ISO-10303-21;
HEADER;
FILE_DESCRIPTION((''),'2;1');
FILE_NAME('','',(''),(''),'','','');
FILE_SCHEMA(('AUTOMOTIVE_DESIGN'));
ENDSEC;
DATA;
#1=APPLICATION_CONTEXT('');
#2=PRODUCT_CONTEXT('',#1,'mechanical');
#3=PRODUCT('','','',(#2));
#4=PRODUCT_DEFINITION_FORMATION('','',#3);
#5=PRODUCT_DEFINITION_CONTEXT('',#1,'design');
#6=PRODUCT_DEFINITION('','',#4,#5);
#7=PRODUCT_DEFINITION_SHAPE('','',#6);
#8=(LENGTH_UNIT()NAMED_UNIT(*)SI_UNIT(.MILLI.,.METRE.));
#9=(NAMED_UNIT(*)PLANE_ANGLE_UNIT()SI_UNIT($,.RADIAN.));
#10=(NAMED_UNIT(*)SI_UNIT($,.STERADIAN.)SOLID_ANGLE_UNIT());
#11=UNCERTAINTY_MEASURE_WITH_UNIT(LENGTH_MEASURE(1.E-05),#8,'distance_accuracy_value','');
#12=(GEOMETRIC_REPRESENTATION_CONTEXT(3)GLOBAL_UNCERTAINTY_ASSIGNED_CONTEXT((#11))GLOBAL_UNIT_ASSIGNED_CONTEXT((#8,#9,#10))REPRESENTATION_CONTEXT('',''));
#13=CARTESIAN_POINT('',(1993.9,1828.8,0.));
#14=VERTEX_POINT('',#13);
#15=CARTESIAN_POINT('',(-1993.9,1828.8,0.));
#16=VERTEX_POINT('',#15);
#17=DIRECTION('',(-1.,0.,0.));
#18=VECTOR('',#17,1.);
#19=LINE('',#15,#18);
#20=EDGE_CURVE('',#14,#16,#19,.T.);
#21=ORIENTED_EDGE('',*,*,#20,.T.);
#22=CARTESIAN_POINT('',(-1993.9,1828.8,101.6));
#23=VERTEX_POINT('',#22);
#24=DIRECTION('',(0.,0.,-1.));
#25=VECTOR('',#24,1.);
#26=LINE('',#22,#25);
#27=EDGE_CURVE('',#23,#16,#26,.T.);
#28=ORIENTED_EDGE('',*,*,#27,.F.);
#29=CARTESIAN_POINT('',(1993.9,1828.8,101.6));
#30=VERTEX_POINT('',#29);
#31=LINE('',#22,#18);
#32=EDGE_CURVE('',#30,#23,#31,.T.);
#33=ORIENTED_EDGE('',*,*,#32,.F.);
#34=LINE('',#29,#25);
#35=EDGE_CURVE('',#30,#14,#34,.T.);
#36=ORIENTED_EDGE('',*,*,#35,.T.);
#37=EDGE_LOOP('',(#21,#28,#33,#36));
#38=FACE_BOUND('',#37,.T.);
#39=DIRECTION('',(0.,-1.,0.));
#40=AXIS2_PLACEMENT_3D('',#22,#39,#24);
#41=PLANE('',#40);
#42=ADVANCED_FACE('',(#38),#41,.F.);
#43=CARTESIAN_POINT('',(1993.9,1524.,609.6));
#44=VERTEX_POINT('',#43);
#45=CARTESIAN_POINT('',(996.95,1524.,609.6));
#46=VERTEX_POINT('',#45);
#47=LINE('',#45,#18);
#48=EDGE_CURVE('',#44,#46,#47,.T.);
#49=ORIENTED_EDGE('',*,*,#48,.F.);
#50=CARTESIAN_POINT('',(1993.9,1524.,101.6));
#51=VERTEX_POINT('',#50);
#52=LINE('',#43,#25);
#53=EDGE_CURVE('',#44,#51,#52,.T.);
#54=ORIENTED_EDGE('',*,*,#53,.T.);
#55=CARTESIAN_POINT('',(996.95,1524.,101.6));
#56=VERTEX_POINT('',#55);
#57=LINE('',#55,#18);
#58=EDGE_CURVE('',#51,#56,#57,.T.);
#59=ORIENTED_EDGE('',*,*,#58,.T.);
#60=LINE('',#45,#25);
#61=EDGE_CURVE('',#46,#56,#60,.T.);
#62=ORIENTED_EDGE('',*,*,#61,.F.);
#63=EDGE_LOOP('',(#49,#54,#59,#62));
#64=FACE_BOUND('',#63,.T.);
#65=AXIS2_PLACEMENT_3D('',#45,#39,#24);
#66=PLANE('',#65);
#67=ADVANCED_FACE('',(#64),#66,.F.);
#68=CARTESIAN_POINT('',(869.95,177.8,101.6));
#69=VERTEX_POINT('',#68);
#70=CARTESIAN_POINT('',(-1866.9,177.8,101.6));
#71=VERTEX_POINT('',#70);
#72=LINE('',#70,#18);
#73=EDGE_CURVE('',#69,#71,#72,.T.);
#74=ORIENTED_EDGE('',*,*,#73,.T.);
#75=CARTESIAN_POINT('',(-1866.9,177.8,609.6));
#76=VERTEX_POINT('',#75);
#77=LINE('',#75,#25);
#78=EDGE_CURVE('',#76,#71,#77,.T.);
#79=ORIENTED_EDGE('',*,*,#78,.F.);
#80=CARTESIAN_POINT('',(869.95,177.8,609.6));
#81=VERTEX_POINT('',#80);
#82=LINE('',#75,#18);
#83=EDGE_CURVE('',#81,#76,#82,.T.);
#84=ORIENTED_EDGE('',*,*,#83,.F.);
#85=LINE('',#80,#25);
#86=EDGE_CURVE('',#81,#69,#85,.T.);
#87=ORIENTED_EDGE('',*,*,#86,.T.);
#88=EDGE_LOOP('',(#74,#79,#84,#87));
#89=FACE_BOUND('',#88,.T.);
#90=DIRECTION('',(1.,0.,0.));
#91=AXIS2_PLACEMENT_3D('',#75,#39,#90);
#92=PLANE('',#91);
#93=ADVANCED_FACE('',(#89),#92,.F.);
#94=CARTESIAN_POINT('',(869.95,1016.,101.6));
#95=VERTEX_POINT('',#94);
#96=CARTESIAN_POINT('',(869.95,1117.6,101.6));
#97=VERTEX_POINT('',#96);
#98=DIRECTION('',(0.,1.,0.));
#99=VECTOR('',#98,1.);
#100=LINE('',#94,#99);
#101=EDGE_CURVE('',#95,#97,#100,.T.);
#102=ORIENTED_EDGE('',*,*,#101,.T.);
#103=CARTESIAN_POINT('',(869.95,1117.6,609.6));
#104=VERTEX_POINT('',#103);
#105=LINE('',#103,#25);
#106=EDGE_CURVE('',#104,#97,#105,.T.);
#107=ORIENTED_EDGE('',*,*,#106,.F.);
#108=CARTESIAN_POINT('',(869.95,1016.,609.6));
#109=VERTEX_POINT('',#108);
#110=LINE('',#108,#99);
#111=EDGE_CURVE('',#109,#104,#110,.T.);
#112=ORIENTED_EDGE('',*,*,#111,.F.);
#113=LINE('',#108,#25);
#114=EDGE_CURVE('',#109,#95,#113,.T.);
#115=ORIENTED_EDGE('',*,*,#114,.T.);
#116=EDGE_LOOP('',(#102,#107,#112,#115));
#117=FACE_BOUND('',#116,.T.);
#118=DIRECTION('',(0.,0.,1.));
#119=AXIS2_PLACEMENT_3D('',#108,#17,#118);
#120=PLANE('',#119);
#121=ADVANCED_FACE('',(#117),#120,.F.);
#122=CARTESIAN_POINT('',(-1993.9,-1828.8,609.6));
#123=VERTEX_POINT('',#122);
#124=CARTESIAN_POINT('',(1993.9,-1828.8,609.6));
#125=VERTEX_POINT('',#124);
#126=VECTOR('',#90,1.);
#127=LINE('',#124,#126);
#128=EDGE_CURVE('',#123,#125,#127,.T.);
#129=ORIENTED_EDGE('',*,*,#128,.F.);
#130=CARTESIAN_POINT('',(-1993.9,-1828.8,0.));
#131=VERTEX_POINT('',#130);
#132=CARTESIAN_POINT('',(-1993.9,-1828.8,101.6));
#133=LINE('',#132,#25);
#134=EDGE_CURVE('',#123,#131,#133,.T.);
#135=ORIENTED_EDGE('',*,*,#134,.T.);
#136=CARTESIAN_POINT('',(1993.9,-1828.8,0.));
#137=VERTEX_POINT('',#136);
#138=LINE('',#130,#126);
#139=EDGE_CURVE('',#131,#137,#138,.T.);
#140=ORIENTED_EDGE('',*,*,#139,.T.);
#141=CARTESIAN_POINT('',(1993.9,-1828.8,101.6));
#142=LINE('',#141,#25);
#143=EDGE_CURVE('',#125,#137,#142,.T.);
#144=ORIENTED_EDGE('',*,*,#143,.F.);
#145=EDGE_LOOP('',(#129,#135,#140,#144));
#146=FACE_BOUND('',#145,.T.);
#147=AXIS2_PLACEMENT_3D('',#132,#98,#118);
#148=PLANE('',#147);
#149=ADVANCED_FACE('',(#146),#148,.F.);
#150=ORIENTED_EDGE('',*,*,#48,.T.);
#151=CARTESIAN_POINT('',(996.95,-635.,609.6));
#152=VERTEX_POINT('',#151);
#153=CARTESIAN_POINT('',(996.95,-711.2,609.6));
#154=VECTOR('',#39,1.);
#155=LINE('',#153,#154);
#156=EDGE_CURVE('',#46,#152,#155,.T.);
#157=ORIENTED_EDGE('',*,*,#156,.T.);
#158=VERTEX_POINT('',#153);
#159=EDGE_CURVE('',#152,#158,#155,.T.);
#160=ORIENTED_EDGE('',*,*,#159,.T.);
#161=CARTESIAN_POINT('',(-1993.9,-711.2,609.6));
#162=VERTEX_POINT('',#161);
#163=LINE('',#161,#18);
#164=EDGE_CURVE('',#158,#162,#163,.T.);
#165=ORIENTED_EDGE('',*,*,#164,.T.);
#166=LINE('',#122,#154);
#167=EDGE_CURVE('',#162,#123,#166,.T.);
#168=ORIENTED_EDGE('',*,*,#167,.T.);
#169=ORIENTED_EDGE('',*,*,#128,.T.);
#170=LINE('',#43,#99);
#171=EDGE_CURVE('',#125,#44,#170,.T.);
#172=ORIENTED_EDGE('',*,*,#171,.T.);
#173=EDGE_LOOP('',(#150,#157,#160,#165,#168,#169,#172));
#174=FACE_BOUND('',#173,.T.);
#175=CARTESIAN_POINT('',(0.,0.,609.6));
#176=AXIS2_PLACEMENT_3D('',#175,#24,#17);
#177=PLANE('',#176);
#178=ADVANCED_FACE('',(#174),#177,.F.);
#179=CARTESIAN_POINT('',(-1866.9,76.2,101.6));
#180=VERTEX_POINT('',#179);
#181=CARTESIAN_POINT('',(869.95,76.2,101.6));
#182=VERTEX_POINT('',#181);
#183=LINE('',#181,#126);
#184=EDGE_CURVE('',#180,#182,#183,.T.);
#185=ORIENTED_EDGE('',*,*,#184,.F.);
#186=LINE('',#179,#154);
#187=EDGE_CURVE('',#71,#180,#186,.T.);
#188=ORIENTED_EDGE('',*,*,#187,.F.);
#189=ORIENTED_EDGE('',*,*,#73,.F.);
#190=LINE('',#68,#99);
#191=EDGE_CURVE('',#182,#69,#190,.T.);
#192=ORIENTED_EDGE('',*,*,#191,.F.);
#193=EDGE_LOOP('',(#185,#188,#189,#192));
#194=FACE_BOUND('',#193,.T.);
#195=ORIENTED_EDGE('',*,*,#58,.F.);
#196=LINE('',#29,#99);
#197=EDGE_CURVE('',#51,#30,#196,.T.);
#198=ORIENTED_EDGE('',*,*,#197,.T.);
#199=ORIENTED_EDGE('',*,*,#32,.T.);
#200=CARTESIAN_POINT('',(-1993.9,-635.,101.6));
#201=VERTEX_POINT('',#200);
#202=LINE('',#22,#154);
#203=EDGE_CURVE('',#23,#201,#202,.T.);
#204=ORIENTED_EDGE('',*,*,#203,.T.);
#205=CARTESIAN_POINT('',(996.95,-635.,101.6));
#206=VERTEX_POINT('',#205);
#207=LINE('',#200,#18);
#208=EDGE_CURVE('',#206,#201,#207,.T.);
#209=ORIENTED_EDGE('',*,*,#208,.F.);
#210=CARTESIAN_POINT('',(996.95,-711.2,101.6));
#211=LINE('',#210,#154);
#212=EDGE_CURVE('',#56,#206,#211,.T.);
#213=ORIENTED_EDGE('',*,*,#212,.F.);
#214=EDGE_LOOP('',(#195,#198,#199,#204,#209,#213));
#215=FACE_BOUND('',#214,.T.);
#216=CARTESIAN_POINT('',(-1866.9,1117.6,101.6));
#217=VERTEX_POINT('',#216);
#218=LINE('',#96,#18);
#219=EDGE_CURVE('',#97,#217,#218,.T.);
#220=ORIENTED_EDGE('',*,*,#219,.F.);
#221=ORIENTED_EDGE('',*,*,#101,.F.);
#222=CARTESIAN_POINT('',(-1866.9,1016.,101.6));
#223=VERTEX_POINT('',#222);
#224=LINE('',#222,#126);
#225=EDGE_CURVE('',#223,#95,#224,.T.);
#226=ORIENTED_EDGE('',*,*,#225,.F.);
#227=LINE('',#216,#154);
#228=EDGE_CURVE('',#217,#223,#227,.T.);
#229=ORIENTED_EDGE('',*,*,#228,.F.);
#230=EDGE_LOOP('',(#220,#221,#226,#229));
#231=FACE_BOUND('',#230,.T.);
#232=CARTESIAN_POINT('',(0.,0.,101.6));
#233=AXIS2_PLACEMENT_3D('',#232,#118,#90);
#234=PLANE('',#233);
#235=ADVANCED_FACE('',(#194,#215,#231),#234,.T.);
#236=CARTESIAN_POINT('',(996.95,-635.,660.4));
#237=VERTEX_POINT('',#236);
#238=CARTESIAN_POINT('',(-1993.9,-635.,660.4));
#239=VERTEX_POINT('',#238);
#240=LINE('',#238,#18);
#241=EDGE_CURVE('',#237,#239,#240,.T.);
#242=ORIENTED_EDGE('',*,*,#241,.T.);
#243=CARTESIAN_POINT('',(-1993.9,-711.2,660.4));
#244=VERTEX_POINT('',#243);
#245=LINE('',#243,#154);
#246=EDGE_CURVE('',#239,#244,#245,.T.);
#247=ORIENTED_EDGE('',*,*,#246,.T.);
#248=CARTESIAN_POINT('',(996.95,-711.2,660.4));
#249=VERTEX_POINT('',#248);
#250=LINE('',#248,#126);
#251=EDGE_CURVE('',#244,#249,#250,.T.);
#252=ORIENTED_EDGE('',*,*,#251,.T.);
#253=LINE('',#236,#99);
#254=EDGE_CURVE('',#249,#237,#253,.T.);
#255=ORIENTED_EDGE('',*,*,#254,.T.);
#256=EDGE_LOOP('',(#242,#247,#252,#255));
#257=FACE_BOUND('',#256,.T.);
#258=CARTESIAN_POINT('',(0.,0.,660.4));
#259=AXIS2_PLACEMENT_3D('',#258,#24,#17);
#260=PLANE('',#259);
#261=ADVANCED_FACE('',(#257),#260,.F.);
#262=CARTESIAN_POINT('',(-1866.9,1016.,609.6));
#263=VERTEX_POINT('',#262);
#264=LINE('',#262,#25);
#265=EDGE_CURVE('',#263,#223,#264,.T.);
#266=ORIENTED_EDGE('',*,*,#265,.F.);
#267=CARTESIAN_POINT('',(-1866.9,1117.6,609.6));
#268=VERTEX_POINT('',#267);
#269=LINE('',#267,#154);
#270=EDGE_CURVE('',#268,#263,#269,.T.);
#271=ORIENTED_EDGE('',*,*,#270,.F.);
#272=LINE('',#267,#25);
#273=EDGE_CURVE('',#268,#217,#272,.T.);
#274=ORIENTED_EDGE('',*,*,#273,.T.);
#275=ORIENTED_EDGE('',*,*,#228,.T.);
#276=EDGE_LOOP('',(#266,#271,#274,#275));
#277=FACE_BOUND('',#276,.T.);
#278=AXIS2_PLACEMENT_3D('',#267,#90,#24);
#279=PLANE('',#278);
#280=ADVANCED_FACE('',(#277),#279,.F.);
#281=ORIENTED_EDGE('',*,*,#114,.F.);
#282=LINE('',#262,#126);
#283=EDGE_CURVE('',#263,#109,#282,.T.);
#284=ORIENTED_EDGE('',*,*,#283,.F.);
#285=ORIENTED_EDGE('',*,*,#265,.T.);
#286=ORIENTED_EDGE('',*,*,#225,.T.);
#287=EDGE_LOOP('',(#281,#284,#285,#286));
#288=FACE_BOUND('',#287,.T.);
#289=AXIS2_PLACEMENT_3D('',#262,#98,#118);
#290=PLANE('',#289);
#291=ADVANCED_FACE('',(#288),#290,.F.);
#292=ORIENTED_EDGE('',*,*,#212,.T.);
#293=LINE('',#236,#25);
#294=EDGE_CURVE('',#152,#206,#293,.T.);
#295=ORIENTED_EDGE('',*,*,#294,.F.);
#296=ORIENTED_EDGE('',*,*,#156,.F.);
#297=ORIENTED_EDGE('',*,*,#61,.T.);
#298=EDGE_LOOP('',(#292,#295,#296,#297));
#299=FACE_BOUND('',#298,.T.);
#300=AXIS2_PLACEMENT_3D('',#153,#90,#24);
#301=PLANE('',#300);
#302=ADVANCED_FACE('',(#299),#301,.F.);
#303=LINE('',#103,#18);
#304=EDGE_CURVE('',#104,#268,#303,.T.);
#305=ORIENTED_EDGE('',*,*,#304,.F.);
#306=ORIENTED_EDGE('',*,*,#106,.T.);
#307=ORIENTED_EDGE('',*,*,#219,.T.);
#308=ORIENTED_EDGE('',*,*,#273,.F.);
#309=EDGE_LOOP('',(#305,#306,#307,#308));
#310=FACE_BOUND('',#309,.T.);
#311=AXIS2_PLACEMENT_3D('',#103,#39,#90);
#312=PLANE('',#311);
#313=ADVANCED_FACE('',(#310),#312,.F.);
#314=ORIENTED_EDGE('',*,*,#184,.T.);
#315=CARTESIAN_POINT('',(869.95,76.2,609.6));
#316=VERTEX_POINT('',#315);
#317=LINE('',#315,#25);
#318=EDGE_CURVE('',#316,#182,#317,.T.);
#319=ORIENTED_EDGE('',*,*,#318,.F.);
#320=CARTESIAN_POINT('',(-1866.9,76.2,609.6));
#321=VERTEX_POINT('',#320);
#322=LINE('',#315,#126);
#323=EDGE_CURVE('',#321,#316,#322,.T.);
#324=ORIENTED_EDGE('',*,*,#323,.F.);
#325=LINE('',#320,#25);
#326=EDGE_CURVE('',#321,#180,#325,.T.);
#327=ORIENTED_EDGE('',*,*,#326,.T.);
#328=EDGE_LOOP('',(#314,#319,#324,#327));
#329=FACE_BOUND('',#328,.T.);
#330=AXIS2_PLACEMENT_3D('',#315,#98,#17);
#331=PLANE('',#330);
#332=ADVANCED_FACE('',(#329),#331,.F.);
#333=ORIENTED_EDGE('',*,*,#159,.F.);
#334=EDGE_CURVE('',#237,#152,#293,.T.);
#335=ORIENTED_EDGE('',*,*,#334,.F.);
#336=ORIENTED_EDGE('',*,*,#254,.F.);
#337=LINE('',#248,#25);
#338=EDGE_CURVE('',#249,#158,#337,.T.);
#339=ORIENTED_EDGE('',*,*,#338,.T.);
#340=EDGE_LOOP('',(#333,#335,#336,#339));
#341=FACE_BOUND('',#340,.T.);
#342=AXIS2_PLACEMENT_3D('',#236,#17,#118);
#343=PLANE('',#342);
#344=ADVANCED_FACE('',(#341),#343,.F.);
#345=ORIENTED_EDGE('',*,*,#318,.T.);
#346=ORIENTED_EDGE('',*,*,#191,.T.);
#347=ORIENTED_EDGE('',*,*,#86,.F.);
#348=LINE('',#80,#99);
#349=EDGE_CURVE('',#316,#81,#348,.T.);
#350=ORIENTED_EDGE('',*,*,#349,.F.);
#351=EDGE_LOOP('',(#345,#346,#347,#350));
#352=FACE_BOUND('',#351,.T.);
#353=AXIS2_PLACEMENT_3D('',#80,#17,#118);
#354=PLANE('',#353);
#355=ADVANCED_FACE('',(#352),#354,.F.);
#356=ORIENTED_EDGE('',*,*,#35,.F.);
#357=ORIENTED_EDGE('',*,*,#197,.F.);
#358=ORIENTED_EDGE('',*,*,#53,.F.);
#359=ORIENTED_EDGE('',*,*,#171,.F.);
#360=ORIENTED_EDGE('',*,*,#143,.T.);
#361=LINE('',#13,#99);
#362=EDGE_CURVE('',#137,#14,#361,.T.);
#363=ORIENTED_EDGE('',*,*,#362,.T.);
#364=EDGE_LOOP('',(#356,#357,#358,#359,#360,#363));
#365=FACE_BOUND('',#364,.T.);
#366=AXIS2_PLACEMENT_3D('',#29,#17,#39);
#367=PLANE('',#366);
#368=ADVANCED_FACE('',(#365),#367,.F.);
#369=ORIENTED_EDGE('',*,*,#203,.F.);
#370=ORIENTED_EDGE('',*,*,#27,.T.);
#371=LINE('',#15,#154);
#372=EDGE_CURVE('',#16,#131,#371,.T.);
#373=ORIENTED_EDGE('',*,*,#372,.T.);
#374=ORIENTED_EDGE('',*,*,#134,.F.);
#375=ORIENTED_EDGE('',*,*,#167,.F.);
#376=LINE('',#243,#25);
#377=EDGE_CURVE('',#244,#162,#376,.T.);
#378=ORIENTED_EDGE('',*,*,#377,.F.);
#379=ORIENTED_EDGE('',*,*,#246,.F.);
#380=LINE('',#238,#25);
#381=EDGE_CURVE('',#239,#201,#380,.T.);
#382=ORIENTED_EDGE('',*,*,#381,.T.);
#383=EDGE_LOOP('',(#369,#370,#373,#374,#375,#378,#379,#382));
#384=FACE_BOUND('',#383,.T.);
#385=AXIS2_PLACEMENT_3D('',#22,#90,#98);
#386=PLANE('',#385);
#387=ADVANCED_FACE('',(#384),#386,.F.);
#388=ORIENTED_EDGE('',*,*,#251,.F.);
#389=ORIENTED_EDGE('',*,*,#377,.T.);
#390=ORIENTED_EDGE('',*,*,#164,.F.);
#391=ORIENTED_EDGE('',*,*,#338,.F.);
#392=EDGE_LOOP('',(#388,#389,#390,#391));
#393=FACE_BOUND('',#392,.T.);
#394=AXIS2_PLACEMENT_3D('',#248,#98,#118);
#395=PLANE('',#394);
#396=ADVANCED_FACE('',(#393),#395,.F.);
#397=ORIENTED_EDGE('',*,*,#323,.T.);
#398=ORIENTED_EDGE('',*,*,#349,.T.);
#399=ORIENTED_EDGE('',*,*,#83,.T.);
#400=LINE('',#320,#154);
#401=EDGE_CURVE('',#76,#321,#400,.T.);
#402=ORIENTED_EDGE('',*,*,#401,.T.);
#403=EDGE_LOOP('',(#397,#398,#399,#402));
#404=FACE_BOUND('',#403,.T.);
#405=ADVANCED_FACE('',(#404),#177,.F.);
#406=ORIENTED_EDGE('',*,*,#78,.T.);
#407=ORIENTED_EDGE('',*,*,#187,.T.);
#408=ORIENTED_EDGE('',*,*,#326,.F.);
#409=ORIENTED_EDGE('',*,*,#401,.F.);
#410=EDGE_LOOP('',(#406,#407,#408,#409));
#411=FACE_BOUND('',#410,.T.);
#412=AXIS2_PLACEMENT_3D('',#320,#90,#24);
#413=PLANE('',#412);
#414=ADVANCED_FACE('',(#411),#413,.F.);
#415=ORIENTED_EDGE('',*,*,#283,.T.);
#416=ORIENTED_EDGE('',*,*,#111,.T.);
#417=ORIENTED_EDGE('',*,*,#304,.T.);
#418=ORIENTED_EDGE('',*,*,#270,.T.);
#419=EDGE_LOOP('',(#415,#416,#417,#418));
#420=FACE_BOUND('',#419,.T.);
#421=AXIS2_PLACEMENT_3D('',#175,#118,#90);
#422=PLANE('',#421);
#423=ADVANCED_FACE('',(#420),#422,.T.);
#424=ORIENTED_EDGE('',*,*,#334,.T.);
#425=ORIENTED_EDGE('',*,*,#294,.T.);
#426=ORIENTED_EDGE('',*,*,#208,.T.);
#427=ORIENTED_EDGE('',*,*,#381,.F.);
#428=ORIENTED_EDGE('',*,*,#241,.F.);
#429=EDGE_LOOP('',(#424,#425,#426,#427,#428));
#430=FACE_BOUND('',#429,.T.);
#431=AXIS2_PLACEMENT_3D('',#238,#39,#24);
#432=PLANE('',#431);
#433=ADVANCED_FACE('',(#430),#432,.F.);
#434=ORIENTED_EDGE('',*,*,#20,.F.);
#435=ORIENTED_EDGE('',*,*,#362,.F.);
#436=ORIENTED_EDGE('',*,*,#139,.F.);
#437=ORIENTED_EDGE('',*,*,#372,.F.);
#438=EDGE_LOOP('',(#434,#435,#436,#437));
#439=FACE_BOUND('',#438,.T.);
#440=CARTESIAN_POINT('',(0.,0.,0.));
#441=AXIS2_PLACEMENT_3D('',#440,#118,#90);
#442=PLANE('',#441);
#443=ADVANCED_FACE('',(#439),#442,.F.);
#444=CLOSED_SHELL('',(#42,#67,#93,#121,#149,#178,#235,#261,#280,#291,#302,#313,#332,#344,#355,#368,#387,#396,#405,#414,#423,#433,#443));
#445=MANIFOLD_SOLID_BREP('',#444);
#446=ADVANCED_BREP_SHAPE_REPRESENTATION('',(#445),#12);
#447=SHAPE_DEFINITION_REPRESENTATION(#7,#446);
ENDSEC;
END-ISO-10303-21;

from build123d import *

# Parameters (mm, degrees)
SKETCH1_W           = 3987.8
SKETCH1_H           = 3657.6
BOSS_EXTRUDE1_DEPTH = 101.6
BOSS_EXTRUDE2_DEPTH = 508
SKETCH4_W           = 2990.85
SKETCH4_H           = 76.2
BOSS_EXTRUDE3_DEPTH = 558.8
SKETCH5_W           = 2736.85
SKETCH5_H           = 101.6
BOSS_EXTRUDE4_DEPTH = 508


with BuildPart() as part:
    # Sketch1 → Boss-Extrude1 (new body)
    with BuildSketch(Plane.XY):
        Rectangle(SKETCH1_W, SKETCH1_H)
    extrude(amount=BOSS_EXTRUDE1_DEPTH)

    # Sketch2 → Boss-Extrude2 (add)
    with BuildSketch(Plane.XY.offset(101.6)):
        Polygon((-1993.9, -1828.8), (-1993.9, -711.2), (996.95, -711.2), (996.95, 1524), (1993.9, 1524), (1993.9, -1828.8), align=None)
    extrude(amount=BOSS_EXTRUDE2_DEPTH)

    # Sketch4 → Boss-Extrude3 (add)
    with BuildSketch(Plane.XY.offset(101.6)):
        with Locations((-498.475, -673.1)):
            Rectangle(SKETCH4_W, SKETCH4_H)
    extrude(amount=BOSS_EXTRUDE3_DEPTH)

    # Sketch5 → Boss-Extrude4 (add)
    with BuildSketch(Plane.XY.offset(101.6)):
        with Locations((-498.475, 127)):
            Rectangle(SKETCH5_W, SKETCH5_H)
        with Locations((-498.475, 1066.8)):
            Rectangle(SKETCH5_W, SKETCH5_H)
    extrude(amount=BOSS_EXTRUDE4_DEPTH)


solid = part.part
